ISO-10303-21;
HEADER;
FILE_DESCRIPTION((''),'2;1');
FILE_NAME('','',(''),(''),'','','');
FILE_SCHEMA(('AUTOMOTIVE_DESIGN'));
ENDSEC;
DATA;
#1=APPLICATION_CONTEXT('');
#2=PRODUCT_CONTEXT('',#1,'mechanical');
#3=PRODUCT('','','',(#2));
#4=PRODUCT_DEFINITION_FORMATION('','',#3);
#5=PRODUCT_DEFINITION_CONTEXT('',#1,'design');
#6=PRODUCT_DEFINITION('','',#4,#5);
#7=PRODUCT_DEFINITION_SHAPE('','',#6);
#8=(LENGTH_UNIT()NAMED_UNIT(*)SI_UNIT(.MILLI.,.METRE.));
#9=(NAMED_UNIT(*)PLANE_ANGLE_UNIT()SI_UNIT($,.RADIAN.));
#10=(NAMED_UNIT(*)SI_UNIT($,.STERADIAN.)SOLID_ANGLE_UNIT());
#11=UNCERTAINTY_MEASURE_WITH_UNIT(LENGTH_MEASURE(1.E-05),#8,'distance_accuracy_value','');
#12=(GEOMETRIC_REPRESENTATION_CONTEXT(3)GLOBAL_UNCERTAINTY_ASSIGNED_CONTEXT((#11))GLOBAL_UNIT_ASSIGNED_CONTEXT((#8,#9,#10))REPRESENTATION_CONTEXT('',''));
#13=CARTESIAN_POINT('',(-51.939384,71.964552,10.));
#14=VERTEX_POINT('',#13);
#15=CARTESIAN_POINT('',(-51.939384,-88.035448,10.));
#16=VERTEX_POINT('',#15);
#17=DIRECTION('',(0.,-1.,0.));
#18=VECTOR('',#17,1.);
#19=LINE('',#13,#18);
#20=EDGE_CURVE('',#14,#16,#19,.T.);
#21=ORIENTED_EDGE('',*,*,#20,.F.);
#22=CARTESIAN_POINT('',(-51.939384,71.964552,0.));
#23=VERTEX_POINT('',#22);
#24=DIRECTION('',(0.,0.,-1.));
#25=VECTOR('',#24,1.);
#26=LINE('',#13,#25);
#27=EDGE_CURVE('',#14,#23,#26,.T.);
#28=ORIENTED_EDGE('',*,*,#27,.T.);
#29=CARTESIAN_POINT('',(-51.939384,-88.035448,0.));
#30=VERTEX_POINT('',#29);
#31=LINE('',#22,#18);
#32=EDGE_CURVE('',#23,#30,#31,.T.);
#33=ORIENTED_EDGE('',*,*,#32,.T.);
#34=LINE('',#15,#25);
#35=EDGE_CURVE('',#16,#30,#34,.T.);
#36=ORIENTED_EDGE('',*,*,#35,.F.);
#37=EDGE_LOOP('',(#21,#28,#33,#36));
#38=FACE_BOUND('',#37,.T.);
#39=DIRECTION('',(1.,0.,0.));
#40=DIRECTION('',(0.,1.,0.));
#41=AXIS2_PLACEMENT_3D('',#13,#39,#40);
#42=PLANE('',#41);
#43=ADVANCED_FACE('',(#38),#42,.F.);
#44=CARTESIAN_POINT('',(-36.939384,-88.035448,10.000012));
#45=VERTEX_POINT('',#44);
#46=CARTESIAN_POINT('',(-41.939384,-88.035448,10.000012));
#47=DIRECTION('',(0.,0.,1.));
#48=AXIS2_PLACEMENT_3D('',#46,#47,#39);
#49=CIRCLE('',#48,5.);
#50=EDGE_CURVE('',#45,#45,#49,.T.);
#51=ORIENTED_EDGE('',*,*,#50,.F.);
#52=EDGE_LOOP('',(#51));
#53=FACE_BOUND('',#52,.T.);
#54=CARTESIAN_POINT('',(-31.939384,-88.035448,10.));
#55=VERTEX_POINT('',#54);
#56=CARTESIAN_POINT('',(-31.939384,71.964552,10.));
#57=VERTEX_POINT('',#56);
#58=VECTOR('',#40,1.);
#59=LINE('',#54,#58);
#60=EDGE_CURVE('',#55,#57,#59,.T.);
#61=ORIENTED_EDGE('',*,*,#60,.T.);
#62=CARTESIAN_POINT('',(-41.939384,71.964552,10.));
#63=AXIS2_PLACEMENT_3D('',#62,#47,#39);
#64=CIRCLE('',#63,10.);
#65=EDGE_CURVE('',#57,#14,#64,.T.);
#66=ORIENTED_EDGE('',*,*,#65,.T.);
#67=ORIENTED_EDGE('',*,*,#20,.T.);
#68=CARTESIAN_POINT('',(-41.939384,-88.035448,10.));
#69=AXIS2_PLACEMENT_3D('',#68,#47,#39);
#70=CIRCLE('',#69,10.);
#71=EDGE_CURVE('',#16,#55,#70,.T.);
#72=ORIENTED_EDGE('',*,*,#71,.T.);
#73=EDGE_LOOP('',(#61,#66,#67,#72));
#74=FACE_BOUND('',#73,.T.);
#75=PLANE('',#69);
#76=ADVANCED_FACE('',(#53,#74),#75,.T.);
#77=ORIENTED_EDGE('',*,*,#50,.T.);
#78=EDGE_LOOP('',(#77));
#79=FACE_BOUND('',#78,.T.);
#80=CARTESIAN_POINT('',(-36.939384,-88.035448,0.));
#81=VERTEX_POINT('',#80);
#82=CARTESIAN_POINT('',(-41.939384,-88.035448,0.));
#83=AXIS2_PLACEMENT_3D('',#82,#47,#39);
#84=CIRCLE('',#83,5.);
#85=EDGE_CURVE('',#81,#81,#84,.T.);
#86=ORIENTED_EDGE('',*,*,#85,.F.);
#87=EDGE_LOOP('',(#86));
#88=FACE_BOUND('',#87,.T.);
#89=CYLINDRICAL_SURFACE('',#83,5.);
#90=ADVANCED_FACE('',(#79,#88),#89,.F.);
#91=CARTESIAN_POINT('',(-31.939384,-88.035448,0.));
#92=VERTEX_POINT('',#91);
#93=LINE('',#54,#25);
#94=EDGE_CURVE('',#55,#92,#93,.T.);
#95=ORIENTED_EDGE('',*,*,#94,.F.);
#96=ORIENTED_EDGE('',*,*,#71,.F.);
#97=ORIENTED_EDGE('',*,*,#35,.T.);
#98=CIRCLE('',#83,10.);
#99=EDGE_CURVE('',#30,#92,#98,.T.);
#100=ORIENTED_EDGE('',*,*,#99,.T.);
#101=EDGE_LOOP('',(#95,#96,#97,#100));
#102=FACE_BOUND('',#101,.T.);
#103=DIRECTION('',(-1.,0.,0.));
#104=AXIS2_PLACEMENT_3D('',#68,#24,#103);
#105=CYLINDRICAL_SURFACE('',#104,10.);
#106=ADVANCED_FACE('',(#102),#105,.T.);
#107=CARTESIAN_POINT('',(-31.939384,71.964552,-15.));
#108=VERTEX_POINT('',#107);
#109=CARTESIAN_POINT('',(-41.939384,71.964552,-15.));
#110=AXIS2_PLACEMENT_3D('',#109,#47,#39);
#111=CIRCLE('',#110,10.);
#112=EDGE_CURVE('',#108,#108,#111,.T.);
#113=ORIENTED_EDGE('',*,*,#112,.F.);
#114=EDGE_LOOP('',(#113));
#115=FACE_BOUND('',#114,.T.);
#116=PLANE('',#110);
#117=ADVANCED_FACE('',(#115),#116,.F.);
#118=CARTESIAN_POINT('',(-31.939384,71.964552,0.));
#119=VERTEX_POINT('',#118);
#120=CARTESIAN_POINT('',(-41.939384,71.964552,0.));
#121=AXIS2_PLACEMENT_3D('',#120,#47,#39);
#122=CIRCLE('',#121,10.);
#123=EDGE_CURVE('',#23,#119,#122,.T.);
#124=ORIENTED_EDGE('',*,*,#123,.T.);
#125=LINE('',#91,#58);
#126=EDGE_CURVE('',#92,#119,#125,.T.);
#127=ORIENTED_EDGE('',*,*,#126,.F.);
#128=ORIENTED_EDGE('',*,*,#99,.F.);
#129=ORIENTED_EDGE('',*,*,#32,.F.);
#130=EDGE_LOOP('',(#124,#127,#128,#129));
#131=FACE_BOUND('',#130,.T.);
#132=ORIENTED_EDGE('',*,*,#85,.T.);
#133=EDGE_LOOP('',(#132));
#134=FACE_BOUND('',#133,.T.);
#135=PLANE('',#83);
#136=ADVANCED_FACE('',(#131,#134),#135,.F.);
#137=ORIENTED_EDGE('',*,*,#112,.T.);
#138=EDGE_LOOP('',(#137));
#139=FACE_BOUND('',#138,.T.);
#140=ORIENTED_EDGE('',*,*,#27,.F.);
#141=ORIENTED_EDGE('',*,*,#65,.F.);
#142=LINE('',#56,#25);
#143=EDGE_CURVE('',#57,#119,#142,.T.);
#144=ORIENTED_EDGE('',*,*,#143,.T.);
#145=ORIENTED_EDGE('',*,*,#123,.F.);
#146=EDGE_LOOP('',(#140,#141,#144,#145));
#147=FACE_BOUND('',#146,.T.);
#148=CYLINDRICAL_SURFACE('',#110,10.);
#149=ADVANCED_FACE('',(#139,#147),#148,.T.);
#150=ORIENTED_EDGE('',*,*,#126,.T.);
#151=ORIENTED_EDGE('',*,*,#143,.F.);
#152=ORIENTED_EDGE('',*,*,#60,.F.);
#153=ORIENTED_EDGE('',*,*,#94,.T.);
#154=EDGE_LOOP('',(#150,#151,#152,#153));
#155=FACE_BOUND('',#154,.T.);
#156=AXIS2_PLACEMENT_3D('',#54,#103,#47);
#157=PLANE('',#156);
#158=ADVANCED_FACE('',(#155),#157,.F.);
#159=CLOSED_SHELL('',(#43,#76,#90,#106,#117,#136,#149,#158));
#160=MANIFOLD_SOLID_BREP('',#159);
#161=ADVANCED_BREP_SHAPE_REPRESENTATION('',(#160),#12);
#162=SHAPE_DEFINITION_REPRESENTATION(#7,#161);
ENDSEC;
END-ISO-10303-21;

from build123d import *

# Parameters (mm, degrees)
RESSALTO_EXTRUS_O1_DEPTH   = 10
CORTE_EXTRUS_O1_DEPTH      = 112.394113732
CORTE_EXTRUS_O1_DEPTH_BACK = 112.394113732
ESBO_O2_R                  = 5
ESBO_O4_R                  = 10
RESSALTO_EXTRUS_O2_DEPTH   = 25


with BuildPart() as part:
    # Esboço1 → Ressalto-extrusão1 (new body)
    with BuildSketch(Plane.XY):
        with BuildLine():
            Line((-51.939383922, 71.964552472), (-51.939383922, -88.035447528))
            ThreePointArc((-51.939383922, -88.035447528), (-41.939383922, -98.035447528), (-31.939383922, -88.035447528))
            Line((-31.939383922, -88.035447528), (-31.939383922, 71.964552472))
            Line((-31.939383922, 71.964552472), (-51.939383922, 71.964552472))
        make_face()
    extrude(amount=RESSALTO_EXTRUS_O1_DEPTH)

    # Esboço2 → Corte-extrusão1 (cut, two sides: drawn at the far end of the back side and taken through both)
    with BuildSketch(Plane.XY.offset(10).offset(-CORTE_EXTRUS_O1_DEPTH_BACK)):
        with Locations((-41.939383922, -88.035447528)):
            Circle(ESBO_O2_R)
    extrude(amount=CORTE_EXTRUS_O1_DEPTH + CORTE_EXTRUS_O1_DEPTH_BACK, mode=Mode.SUBTRACT)

    # Esboço4 → Ressalto-extrusão2 (add)
    with BuildSketch(Plane.XY.offset(10)):
        with Locations((-41.939383922, 71.964552472)):
            Circle(ESBO_O4_R)
    extrude(amount=-RESSALTO_EXTRUS_O2_DEPTH)


solid = part.part
